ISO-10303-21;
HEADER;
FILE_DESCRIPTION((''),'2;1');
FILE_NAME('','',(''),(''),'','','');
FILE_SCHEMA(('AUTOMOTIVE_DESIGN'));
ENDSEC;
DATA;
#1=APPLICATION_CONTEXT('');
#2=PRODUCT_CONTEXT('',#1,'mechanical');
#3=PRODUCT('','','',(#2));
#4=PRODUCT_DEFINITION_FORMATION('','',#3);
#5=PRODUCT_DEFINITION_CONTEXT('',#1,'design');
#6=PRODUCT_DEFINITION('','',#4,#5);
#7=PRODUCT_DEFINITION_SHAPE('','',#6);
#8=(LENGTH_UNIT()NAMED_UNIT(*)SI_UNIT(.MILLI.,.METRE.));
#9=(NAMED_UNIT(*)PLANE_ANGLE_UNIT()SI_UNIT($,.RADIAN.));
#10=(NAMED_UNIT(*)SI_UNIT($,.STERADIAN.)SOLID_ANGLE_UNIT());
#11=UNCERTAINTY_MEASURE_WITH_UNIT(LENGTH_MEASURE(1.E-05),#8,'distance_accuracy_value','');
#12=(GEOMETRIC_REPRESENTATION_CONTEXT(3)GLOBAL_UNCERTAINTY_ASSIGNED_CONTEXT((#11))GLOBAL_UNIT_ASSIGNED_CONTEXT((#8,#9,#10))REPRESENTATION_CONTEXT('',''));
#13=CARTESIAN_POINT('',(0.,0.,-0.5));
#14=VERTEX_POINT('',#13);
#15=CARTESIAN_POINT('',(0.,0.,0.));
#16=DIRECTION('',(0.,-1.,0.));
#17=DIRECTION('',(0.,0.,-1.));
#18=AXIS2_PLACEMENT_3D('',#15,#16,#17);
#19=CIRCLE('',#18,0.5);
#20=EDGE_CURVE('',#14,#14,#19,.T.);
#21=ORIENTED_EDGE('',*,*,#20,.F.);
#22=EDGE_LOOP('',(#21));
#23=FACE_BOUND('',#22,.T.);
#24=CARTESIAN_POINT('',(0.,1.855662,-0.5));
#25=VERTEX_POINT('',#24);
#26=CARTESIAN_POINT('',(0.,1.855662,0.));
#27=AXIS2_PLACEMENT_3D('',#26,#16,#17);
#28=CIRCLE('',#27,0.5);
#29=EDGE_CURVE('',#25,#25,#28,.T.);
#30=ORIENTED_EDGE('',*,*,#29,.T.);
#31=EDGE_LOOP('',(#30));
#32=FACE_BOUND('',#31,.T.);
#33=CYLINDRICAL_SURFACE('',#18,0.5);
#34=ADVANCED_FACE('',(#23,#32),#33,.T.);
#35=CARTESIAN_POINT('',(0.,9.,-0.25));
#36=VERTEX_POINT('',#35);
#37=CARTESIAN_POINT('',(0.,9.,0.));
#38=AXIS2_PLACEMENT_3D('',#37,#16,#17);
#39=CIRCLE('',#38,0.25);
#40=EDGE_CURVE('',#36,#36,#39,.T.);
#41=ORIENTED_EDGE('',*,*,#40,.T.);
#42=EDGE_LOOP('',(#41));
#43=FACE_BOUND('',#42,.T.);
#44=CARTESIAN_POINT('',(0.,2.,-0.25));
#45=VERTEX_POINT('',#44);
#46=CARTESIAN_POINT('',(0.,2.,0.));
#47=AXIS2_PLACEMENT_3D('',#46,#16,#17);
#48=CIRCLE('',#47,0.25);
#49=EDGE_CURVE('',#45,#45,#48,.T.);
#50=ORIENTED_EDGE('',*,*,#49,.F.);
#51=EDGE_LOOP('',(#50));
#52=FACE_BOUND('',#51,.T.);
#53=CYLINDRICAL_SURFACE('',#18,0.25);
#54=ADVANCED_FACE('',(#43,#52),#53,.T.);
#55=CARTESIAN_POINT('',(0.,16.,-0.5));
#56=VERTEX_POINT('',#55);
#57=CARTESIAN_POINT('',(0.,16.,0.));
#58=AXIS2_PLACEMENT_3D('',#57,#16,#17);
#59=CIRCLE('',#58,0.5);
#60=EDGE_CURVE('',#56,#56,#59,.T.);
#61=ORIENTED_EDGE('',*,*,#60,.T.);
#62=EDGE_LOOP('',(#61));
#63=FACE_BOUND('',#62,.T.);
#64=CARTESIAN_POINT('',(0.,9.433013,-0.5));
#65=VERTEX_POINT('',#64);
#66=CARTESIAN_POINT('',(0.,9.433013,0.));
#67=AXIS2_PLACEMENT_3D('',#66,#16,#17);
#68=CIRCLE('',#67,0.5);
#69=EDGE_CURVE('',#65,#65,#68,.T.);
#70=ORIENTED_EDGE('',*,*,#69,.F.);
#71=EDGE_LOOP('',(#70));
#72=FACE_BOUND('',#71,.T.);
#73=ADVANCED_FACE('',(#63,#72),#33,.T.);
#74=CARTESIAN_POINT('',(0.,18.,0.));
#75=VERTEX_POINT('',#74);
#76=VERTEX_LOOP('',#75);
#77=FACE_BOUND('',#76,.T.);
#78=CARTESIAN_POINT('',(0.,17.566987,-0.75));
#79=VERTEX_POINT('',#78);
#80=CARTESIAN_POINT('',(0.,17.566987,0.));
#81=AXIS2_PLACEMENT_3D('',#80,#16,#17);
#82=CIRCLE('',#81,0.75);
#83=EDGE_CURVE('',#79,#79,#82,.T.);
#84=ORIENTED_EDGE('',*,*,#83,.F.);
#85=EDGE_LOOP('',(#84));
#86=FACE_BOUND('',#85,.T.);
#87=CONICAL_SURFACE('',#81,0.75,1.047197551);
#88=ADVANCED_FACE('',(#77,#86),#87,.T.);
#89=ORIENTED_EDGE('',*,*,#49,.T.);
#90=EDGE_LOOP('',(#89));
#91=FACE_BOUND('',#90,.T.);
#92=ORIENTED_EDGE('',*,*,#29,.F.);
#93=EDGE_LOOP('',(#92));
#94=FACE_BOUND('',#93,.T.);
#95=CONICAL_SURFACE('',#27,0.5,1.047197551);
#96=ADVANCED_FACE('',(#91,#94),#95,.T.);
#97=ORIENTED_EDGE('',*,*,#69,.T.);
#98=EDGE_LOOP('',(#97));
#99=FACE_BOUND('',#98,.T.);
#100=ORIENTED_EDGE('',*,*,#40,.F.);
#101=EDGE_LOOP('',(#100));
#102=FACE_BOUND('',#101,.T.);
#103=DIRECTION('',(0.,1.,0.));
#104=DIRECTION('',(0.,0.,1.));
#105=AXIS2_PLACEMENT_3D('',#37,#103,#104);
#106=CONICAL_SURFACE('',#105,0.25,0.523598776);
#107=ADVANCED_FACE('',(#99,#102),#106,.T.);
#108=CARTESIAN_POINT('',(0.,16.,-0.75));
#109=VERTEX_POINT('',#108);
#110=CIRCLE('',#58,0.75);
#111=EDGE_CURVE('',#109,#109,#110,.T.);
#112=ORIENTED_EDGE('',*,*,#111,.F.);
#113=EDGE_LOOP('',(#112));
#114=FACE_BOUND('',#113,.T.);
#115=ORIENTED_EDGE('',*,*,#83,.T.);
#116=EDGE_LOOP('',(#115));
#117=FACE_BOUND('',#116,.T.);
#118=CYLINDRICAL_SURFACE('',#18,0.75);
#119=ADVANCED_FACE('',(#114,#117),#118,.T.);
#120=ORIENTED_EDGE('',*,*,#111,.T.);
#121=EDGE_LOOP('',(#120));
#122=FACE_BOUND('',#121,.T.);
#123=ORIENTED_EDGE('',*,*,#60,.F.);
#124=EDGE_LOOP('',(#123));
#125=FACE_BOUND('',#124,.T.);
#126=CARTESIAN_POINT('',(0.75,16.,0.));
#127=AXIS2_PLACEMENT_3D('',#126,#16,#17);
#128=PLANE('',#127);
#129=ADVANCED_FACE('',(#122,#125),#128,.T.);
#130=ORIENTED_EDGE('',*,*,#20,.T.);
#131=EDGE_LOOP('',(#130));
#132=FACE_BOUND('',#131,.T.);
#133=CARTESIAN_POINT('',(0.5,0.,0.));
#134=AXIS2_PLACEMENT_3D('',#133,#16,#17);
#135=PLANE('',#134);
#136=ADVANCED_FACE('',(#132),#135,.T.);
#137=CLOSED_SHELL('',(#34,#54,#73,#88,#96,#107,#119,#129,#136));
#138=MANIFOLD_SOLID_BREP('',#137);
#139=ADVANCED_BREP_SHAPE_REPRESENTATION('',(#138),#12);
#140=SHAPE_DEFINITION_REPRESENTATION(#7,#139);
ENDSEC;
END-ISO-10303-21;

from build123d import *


with BuildPart() as part:
    # Sketch2 → Revolve1 (revolve)
    with BuildSketch(Plane.XY):
        Polygon((0, 18), (0.75, 17.566987298), (0.75, 16), (0.5, 16), (0.5, 9.433012702), (0.25, 9), (0.25, 2), (0.5, 1.855662433), (0.5, 0), (0, 0), align=None)
    revolve(axis=Axis((0, 0, 0), (0, 1, 0)))


solid = part.part
